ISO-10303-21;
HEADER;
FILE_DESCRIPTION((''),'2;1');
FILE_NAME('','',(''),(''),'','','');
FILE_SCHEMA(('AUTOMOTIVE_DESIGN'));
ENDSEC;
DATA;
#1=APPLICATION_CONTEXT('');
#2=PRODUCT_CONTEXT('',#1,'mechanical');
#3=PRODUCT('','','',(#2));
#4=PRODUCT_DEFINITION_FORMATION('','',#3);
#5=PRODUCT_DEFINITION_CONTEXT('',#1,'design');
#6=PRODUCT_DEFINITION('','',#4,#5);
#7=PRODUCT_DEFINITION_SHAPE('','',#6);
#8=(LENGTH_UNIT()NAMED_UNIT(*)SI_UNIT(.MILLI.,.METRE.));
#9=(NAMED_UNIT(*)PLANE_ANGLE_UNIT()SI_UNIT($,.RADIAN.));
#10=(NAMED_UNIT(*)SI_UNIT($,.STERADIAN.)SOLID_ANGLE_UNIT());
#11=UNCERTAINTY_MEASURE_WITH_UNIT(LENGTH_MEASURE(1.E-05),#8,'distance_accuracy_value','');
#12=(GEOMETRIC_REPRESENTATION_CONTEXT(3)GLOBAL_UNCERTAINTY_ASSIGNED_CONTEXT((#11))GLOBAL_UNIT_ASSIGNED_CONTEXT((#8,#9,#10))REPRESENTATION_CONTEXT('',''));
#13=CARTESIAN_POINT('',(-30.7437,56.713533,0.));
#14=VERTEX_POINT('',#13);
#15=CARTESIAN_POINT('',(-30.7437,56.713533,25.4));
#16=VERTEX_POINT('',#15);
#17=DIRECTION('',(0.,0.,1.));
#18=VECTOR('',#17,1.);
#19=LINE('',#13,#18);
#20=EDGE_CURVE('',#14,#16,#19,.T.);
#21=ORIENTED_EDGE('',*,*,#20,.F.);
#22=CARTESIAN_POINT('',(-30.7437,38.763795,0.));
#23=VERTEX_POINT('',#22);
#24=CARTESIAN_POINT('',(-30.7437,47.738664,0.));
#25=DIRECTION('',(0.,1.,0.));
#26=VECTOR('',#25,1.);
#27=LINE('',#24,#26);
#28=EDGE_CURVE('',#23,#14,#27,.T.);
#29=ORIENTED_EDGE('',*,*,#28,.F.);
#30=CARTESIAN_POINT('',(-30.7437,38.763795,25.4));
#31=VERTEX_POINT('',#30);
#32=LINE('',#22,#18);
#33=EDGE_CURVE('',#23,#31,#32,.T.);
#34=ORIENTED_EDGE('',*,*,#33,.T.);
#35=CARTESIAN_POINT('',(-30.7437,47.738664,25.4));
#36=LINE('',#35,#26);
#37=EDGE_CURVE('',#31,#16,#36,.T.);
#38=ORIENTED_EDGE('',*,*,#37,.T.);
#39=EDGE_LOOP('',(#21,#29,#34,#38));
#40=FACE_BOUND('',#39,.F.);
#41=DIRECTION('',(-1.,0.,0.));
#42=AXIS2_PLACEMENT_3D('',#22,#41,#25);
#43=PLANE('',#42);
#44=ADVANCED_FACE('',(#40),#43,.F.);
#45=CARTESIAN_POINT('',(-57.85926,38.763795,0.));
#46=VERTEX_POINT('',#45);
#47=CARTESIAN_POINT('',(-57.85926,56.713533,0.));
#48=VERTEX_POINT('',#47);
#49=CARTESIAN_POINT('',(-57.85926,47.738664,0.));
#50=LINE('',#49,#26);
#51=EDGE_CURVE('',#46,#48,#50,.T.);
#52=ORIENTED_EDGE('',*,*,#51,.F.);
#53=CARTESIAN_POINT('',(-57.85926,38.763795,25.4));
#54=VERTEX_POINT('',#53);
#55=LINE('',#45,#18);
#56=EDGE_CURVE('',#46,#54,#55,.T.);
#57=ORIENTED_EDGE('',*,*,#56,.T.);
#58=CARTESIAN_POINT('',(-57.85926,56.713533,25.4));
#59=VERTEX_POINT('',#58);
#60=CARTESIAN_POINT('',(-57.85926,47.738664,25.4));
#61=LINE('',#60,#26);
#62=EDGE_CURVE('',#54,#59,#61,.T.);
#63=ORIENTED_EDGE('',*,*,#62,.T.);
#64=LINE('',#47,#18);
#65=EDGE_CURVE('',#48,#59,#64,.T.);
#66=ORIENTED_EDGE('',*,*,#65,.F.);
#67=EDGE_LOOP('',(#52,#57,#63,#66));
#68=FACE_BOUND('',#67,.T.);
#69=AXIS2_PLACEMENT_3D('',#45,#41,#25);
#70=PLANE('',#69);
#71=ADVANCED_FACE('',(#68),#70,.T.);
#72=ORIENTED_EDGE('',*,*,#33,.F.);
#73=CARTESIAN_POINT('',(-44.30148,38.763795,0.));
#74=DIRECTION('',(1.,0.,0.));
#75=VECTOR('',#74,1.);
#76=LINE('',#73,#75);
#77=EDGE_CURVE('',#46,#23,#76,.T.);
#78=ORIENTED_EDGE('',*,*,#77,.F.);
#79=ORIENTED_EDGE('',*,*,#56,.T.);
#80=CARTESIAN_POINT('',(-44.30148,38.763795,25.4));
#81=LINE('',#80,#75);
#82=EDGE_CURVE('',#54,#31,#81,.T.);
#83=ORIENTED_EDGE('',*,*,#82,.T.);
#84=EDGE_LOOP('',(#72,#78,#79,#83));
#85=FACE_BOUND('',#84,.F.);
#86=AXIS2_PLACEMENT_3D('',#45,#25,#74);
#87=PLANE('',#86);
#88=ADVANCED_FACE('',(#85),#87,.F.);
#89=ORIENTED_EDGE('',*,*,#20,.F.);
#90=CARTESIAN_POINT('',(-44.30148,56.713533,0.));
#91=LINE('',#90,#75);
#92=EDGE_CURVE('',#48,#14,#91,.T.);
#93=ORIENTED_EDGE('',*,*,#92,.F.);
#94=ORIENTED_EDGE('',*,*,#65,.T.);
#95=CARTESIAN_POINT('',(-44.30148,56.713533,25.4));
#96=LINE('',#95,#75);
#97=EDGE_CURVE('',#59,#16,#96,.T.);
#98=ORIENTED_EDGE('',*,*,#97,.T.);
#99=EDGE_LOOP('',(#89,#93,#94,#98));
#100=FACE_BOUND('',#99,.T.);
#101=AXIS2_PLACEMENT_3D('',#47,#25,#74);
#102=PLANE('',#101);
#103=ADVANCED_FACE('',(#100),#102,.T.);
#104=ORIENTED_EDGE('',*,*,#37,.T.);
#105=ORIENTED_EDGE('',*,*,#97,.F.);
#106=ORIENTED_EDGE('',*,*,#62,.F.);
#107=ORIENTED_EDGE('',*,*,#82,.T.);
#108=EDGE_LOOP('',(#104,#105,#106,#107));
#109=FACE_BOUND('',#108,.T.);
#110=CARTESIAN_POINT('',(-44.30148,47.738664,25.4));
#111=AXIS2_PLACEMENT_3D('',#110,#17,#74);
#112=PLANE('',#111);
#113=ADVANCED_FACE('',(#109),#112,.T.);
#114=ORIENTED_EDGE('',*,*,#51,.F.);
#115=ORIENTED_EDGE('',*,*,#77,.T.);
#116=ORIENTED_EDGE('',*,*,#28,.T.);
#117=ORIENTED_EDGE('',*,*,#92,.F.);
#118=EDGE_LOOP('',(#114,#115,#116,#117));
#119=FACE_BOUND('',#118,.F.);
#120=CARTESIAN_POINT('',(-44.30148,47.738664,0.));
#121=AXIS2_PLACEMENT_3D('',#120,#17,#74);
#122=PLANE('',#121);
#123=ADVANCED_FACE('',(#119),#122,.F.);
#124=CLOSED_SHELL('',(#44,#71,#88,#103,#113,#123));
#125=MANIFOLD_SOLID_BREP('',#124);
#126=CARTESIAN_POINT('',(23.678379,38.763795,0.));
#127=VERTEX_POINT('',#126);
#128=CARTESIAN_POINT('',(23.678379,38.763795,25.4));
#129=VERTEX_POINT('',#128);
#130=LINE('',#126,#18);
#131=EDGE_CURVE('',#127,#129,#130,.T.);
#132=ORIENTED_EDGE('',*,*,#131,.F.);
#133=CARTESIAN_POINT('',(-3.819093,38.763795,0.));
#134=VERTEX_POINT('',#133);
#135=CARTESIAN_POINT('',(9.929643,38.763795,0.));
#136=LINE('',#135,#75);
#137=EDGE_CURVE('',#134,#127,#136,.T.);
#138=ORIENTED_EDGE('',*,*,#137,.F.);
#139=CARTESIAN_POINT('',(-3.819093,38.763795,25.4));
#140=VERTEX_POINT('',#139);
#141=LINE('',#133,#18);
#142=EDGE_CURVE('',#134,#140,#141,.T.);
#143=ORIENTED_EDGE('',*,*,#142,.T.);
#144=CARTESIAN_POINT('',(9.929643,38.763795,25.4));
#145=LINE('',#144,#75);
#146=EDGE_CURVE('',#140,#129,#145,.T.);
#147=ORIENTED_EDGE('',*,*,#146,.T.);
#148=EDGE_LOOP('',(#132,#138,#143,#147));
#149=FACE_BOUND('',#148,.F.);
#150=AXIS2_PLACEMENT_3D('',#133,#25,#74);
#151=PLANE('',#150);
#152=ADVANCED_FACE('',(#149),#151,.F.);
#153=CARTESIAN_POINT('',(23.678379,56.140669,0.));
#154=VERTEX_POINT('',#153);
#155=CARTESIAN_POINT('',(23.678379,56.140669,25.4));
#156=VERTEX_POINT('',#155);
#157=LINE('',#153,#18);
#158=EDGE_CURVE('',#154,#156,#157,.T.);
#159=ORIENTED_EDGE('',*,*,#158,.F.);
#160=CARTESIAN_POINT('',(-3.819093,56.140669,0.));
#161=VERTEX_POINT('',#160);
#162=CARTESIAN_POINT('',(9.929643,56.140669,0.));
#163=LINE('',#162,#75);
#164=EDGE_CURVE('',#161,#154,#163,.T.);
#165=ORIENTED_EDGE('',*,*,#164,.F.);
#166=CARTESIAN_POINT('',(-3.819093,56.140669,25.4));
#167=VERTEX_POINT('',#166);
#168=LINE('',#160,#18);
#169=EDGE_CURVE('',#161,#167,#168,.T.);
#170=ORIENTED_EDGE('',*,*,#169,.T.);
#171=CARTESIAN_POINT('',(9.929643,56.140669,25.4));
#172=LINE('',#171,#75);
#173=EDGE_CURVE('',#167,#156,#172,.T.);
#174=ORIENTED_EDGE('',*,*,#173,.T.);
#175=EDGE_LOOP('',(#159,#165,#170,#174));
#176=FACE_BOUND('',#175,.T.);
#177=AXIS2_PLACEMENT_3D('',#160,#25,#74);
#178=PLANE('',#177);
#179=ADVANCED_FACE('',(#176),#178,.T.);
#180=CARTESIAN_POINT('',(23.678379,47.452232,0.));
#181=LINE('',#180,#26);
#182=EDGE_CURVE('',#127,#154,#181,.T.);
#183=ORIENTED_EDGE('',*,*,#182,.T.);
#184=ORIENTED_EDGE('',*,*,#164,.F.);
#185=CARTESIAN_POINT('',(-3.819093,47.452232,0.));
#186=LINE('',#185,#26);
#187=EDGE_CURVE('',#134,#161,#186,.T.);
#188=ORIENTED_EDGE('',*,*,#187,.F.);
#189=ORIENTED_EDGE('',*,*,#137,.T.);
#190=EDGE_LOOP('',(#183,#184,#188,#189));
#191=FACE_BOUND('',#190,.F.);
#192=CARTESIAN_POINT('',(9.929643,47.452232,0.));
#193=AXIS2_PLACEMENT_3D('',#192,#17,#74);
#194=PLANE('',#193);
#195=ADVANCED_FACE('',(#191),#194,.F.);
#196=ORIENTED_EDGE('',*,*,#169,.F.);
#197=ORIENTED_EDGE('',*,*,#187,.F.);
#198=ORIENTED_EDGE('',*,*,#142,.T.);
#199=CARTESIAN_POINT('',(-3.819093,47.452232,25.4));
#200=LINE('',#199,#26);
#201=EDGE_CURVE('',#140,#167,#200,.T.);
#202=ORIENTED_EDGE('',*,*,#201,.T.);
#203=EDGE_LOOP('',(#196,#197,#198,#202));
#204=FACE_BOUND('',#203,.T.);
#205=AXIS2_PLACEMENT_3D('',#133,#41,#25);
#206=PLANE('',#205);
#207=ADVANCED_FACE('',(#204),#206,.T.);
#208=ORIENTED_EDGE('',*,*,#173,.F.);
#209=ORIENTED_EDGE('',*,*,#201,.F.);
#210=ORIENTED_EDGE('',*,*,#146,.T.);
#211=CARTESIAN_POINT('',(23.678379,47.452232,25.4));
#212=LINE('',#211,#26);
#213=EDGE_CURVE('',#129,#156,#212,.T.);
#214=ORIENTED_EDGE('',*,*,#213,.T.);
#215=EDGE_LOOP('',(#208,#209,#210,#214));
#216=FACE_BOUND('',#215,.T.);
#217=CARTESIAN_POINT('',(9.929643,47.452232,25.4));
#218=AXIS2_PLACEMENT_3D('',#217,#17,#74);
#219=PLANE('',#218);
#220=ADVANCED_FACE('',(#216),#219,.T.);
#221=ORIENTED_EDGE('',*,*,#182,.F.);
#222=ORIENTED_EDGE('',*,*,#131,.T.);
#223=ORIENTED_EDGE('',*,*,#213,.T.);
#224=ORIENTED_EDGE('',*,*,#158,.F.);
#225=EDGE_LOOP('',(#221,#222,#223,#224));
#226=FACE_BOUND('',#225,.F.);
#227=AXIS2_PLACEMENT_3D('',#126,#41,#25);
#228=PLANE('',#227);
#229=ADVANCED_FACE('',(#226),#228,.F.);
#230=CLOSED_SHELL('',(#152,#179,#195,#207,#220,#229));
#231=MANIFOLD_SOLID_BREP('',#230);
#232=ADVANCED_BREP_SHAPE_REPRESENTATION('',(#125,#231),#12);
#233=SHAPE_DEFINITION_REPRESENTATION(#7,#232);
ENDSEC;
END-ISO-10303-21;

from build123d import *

# Parameters (mm, degrees)
F0_W     = 27.497472
F0_H     = 17.376874
F0_W_2   = 27.115561
F0_H_2   = 17.949738
F1_DEPTH = 25.4


with BuildPart() as f1:
    # F0 (on Top) → F1 (new body)
    with BuildSketch(Plane.XY):
        with Locations((9.929643, 47.452232)):
            Rectangle(F0_W, F0_H)
        with Locations((-44.30148, 47.738664)):
            Rectangle(F0_W_2, F0_H_2)
    extrude(amount=F1_DEPTH)


solid = f1.part
